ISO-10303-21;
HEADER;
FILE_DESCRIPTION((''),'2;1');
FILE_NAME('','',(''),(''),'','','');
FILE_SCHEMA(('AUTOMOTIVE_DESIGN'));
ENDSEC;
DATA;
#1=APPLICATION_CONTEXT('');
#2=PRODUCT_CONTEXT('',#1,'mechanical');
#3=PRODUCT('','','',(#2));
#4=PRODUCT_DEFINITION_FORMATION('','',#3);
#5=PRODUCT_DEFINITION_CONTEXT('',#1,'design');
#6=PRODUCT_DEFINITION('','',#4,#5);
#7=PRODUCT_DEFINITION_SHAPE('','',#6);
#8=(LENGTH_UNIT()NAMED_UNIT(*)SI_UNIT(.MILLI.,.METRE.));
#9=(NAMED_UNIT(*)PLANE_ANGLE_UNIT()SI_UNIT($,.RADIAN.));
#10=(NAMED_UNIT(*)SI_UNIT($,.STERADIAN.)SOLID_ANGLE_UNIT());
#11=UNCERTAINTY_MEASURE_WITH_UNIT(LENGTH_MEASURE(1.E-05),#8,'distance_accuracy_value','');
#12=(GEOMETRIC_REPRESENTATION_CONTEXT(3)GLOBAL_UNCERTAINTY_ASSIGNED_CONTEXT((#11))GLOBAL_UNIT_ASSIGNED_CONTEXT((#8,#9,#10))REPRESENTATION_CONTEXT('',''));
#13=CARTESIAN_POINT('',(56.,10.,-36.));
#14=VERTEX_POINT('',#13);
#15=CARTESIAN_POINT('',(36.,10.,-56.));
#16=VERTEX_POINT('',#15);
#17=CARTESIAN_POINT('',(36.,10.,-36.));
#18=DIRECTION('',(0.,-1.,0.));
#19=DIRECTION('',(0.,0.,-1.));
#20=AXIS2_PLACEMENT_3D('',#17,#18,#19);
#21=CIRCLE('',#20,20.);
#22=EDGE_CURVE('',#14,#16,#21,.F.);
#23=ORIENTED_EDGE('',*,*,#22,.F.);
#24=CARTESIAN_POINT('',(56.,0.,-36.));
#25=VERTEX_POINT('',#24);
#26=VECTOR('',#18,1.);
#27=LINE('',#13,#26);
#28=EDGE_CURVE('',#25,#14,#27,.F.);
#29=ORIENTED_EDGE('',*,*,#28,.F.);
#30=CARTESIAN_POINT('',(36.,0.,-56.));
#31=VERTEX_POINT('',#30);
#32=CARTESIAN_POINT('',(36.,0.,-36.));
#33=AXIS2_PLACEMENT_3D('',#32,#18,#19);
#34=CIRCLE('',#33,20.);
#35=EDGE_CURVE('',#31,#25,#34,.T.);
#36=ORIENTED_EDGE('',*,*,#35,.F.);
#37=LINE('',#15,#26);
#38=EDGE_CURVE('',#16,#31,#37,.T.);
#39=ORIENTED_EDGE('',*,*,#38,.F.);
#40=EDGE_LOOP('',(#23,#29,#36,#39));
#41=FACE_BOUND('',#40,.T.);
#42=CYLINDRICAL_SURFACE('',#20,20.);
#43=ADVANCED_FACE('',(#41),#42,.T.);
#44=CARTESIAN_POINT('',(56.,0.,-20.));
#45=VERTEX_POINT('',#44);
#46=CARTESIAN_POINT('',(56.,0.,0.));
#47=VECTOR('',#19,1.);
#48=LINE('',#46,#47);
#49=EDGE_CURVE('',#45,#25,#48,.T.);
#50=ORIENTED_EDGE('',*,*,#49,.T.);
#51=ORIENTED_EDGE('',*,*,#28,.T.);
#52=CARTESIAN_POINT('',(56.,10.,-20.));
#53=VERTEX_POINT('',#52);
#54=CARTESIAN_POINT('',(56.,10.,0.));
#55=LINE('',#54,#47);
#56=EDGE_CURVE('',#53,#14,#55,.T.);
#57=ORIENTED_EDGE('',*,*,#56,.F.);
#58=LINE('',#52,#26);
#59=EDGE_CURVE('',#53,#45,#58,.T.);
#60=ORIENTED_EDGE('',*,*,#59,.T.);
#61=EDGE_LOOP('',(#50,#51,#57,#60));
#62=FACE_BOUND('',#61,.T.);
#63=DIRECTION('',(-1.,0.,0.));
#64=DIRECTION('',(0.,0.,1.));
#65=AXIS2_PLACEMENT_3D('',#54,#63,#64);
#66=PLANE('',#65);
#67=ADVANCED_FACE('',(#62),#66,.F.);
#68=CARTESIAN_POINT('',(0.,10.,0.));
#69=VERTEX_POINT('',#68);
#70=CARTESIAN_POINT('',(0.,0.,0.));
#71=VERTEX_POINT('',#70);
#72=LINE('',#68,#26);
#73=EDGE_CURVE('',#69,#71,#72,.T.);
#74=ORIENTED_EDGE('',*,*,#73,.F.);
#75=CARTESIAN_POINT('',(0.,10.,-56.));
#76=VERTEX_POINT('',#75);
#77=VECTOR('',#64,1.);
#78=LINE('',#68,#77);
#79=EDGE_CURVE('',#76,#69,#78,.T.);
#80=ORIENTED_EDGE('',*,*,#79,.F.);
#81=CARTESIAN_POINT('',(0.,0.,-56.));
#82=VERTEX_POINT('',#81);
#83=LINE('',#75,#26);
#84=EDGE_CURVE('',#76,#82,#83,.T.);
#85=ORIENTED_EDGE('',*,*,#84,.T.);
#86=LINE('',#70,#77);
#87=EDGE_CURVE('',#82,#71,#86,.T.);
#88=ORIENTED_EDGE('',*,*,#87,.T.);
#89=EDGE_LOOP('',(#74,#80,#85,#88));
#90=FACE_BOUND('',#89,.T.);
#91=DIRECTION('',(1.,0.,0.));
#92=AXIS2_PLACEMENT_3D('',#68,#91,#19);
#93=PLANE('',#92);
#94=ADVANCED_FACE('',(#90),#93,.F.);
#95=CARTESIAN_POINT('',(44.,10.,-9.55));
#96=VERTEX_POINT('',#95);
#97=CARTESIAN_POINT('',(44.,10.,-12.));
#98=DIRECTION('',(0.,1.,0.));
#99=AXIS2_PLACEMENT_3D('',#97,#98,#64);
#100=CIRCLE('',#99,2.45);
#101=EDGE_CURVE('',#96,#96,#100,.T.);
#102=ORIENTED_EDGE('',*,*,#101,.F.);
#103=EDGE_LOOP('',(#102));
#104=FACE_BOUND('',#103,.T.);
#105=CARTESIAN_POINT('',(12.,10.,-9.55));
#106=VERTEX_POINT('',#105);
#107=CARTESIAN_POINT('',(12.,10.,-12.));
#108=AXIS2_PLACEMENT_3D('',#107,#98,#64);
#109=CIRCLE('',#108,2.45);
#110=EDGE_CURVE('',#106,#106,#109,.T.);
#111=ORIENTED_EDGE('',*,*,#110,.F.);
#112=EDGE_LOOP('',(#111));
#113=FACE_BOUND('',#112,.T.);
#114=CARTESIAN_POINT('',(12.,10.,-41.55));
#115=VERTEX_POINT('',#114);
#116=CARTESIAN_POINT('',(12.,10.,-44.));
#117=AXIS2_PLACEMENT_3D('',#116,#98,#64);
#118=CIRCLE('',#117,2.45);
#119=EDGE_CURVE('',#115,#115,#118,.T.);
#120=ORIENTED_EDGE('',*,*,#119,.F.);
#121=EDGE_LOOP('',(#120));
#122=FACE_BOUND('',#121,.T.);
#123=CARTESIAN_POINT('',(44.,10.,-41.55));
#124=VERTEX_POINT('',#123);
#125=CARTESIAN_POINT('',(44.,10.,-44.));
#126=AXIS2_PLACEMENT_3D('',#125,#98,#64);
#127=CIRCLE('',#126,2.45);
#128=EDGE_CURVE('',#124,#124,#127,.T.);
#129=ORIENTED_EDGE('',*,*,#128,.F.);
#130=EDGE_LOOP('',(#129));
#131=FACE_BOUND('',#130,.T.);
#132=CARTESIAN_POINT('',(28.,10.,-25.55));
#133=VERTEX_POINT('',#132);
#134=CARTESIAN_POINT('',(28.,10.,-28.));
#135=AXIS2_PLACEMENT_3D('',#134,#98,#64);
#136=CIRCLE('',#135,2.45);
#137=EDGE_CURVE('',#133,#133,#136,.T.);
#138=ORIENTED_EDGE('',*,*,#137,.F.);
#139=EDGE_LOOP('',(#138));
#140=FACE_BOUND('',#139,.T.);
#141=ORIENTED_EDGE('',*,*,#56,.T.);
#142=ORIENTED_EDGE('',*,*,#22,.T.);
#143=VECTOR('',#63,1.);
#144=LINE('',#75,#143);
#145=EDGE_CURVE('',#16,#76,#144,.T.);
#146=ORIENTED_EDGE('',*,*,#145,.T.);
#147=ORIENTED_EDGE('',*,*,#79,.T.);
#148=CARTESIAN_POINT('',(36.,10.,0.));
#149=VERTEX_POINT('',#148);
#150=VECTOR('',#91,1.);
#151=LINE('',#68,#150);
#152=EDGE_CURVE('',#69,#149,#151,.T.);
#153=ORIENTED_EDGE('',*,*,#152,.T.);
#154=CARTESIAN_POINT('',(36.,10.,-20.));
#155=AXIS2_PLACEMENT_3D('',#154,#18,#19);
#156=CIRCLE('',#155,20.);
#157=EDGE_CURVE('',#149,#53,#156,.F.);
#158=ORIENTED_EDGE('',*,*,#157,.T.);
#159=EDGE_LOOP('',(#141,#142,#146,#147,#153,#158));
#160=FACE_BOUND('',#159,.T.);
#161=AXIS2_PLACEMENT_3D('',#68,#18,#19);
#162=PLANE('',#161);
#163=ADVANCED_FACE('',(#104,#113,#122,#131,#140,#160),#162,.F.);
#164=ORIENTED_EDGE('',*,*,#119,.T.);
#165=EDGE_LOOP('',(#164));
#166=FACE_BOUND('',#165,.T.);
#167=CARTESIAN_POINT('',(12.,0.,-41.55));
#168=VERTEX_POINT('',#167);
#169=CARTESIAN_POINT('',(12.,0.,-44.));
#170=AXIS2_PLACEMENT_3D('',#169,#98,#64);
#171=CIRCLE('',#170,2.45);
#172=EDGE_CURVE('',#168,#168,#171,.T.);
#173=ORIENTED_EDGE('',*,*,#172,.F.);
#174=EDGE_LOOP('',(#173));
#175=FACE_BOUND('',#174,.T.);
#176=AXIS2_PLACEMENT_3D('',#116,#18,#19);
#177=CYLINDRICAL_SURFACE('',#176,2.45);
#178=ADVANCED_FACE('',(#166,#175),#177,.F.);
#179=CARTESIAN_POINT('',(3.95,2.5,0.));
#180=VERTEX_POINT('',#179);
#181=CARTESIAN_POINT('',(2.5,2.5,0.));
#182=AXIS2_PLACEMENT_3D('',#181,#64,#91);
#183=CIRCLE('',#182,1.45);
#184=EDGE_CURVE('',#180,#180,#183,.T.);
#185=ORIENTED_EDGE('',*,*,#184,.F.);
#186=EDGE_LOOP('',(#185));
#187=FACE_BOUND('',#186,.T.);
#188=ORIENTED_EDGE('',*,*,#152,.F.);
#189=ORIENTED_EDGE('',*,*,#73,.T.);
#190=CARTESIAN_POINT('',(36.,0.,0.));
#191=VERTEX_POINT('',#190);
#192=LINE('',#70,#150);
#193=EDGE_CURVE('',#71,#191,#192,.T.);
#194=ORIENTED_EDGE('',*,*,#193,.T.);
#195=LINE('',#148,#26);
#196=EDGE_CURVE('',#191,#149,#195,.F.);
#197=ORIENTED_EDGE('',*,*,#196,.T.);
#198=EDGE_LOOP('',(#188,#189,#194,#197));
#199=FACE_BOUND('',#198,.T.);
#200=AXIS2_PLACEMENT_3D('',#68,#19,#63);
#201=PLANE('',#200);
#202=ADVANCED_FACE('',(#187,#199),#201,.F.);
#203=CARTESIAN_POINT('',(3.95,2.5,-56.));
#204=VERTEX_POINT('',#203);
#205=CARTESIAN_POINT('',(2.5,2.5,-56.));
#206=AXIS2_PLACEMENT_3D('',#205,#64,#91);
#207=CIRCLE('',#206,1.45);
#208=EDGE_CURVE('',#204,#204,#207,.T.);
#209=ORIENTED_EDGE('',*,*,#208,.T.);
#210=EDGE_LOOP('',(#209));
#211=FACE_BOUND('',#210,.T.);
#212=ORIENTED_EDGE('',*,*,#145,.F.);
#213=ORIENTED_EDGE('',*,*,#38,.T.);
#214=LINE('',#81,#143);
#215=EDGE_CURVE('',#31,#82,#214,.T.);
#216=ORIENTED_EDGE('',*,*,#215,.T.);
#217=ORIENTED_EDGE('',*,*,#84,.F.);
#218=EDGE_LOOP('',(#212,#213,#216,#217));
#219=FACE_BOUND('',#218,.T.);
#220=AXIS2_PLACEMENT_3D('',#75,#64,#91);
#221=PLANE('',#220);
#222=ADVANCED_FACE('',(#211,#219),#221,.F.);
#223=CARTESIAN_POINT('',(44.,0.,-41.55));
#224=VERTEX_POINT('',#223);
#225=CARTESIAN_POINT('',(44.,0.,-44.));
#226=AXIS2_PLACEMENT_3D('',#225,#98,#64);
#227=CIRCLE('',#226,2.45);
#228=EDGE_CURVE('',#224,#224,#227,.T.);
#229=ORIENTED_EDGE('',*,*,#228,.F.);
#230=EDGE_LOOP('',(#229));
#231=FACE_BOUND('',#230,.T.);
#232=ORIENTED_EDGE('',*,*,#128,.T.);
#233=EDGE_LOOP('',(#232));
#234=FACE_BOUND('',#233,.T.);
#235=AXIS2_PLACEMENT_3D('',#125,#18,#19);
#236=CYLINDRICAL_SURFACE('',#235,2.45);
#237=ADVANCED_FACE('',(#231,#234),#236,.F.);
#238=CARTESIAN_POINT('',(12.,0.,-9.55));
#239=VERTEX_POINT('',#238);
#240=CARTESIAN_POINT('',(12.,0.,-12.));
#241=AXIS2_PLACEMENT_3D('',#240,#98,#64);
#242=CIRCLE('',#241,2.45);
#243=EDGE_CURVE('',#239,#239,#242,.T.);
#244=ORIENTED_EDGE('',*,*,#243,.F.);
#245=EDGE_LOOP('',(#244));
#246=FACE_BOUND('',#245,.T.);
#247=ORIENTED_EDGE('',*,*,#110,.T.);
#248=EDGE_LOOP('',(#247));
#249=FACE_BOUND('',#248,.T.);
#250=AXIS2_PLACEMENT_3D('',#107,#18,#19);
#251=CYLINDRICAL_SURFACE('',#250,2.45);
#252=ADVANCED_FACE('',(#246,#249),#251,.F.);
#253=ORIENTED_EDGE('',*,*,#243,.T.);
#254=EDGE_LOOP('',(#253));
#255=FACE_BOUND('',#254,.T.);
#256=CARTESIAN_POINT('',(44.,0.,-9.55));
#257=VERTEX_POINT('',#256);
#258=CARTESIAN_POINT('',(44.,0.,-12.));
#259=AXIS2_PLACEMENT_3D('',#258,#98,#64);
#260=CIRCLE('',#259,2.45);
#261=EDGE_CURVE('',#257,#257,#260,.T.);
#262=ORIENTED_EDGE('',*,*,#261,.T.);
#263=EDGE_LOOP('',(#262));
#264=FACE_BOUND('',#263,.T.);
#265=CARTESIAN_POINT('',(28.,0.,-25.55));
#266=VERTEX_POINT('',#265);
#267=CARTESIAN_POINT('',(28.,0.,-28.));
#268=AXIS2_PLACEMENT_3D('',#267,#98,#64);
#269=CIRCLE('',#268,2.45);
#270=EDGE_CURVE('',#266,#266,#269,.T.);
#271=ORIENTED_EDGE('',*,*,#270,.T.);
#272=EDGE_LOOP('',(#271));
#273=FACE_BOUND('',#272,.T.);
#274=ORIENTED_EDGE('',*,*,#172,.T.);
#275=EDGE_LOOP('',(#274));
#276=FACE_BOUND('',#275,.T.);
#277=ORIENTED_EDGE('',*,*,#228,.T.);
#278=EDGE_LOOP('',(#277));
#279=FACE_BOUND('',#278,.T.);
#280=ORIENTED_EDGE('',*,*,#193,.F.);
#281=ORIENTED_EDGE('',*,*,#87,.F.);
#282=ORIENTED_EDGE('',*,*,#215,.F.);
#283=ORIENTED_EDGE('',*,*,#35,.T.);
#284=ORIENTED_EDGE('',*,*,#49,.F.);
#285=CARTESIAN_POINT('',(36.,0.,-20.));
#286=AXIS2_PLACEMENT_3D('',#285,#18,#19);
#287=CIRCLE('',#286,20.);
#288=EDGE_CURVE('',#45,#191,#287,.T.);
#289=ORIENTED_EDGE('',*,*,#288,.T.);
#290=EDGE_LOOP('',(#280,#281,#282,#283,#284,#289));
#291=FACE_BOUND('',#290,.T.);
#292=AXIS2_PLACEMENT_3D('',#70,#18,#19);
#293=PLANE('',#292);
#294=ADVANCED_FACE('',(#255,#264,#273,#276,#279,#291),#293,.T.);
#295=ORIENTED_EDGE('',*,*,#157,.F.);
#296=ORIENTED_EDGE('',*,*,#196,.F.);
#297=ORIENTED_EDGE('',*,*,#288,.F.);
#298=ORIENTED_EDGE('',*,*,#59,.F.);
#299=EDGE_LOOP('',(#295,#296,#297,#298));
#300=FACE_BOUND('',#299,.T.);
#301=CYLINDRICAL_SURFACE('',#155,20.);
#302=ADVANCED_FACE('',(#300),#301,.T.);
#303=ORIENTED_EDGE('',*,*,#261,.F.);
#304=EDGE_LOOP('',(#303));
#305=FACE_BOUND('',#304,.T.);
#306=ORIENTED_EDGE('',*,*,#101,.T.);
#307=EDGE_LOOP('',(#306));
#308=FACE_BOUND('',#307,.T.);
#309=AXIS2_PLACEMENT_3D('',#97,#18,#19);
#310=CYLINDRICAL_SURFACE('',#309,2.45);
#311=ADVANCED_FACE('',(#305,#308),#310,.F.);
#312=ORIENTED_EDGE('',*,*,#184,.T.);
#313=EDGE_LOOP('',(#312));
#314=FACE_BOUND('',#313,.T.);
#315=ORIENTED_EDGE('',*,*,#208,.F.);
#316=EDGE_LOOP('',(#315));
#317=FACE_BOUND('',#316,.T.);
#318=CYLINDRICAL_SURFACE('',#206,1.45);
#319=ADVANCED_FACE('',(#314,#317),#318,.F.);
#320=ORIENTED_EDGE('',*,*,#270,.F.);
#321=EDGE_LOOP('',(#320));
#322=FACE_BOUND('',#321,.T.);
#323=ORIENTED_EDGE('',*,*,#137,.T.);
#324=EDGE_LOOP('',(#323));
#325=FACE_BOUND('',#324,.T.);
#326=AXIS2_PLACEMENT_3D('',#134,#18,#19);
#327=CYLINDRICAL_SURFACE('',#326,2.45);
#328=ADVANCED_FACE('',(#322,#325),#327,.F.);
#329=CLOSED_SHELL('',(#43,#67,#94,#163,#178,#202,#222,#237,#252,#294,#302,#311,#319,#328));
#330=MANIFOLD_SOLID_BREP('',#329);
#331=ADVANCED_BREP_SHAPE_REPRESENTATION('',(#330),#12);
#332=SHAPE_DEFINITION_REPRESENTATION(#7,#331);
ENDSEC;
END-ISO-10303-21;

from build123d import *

# Parameters (mm, degrees)
SKETCH1_W           = 56
SKETCH1_H           = 56
SKETCH1_R           = 2.45
BOSS_EXTRUDE1_DEPTH = 10
SKETCH2_R           = 1.45
CUT_EXTRUDE1_DEPTH  = 80.824808174
FILLET1_R           = 20


with BuildPart() as part:
    # Sketch1 → Boss-Extrude1 (new body)
    with BuildSketch(Plane(origin=(0, 0, 0), x_dir=(1, 0, 0), z_dir=(0, 1, 0))):
        with Locations((28, 28)):
            Rectangle(SKETCH1_W, SKETCH1_H)
        with Locations(Location((28, 28, 0), (0, 0, 270))):
            Circle(SKETCH1_R, mode=Mode.SUBTRACT)
        with Locations(Location((12, 44, 0), (0, 0, 270))):
            Circle(SKETCH1_R, mode=Mode.SUBTRACT)
        with Locations(Location((44, 44, 0), (0, 0, 270))):
            Circle(SKETCH1_R, mode=Mode.SUBTRACT)
        with Locations(Location((44, 12, 0), (0, 0, 270))):
            Circle(SKETCH1_R, mode=Mode.SUBTRACT)
        with Locations(Location((12, 12, 0), (0, 0, 270))):
            Circle(SKETCH1_R, mode=Mode.SUBTRACT)
    extrude(amount=BOSS_EXTRUDE1_DEPTH)

    # Sketch2 → Cut-Extrude1 (cut, through all)
    with BuildSketch(Plane.XY):
        with Locations((2.5, 2.5)):
            Circle(SKETCH2_R)
    extrude(amount=-CUT_EXTRUDE1_DEPTH, mode=Mode.SUBTRACT)

    # Fillet1
    fillet1_edges = [part.edges().sort_by_distance(p)[0] for p in [
        (56, 5, -56),
        (56, 5, 0),
    ]]
    fillet(fillet1_edges, radius=FILLET1_R)


solid = part.part
